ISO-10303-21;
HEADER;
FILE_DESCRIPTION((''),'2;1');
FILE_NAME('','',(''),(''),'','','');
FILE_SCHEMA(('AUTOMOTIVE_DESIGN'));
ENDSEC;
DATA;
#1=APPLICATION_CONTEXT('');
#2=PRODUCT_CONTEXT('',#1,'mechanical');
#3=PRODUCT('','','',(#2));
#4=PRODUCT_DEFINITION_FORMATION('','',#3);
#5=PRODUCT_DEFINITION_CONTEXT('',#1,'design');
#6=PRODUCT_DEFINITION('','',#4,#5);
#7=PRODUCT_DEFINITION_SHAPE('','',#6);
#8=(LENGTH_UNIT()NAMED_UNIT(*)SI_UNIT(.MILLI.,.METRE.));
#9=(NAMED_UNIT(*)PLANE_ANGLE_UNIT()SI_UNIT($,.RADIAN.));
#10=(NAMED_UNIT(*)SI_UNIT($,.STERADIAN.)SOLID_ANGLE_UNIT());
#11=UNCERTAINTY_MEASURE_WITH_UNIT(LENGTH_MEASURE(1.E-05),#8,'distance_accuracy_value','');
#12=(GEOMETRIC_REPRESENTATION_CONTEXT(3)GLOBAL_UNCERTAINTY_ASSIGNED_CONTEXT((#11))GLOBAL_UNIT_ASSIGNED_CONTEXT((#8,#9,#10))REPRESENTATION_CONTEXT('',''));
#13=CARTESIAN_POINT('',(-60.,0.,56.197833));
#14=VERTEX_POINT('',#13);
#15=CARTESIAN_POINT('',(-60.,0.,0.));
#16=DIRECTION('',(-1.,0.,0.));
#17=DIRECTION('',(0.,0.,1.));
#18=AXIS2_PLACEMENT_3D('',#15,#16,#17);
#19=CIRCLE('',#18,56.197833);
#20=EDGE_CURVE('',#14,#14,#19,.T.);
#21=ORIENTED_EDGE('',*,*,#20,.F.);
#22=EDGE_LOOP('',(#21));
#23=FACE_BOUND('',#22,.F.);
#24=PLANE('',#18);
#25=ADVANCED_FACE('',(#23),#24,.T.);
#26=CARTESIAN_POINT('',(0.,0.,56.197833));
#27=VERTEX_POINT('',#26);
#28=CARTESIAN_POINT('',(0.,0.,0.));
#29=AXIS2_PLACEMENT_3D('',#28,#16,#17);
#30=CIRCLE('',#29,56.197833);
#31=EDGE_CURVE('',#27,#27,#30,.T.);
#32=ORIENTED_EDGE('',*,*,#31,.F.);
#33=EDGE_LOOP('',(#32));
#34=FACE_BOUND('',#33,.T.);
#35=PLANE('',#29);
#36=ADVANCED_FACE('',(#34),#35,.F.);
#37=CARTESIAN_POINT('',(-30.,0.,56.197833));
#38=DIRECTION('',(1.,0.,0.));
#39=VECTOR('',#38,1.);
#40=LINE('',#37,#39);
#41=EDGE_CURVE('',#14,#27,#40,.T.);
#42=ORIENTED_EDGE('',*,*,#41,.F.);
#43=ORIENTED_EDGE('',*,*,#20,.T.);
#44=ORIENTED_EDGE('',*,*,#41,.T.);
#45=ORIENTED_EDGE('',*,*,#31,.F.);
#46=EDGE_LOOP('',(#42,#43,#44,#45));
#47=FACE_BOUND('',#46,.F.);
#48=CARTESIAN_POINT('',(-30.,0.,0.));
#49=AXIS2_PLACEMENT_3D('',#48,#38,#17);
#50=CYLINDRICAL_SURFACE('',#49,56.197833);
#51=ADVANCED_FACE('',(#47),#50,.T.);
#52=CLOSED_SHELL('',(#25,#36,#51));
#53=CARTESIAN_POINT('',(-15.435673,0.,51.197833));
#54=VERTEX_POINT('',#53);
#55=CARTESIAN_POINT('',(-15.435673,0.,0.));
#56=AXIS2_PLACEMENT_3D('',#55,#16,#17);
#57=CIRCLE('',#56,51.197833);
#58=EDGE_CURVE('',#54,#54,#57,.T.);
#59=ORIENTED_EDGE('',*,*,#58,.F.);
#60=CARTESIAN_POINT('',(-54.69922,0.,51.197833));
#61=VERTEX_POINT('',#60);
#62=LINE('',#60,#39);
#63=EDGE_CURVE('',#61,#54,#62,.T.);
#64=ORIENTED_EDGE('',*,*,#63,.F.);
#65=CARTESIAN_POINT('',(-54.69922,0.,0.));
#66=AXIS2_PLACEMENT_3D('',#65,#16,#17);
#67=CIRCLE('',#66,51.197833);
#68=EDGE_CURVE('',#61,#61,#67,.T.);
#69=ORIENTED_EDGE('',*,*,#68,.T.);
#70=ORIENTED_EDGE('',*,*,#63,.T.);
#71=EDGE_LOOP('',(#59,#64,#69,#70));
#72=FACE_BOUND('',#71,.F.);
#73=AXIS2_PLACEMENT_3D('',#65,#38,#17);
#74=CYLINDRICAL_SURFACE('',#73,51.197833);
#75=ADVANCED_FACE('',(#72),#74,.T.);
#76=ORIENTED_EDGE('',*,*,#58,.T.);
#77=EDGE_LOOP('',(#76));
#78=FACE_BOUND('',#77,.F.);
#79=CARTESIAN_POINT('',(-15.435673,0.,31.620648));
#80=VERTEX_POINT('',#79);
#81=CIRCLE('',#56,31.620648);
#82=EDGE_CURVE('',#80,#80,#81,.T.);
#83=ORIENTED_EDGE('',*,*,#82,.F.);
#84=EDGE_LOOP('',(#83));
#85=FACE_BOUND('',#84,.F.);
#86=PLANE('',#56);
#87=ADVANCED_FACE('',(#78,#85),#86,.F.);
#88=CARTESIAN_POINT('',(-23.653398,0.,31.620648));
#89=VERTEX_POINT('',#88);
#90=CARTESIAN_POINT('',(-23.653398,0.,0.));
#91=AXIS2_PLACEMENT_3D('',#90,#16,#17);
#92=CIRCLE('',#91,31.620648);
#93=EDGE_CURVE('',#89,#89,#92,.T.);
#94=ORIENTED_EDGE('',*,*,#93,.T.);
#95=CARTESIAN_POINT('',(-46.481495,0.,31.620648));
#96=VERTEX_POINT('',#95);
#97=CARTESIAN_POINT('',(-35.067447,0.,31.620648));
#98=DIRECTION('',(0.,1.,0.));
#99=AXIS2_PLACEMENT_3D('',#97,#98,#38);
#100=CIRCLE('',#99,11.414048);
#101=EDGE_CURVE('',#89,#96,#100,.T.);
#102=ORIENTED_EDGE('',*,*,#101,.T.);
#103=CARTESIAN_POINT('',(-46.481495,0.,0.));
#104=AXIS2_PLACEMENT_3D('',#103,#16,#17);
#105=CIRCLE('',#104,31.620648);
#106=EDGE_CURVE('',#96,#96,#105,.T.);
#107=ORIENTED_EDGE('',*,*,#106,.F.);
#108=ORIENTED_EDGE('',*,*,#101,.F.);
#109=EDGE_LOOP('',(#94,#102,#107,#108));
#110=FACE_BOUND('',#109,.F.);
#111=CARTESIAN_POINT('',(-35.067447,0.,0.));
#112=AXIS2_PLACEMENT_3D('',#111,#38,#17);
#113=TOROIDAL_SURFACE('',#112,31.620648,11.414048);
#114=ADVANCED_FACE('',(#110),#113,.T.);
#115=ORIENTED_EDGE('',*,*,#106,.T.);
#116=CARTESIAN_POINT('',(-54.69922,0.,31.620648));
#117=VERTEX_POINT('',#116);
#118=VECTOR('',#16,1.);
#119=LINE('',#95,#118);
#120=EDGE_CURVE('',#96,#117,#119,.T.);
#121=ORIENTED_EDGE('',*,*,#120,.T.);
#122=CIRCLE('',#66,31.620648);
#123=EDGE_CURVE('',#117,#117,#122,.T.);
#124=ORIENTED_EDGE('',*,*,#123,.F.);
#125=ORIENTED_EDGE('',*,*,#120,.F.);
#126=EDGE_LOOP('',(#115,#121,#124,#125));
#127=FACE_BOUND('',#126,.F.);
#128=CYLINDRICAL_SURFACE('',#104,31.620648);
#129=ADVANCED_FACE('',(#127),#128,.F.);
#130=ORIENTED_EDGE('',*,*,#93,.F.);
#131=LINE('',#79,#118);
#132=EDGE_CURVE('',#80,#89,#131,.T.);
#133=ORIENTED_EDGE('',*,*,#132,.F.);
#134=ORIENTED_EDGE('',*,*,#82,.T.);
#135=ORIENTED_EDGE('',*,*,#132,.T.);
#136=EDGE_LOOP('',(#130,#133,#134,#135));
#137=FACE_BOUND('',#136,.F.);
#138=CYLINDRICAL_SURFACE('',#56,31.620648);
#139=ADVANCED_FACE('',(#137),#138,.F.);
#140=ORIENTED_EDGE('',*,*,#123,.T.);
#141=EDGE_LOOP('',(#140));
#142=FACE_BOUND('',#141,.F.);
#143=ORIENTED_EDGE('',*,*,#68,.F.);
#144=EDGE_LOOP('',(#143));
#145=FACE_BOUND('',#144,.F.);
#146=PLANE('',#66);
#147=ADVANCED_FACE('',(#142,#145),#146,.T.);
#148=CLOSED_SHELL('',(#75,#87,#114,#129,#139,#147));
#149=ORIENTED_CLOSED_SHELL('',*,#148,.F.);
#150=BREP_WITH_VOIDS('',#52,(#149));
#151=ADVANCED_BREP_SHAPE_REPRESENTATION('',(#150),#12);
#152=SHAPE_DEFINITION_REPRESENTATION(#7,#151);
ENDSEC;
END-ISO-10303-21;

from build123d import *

# Parameters (mm, degrees)
F0_W = 60
F0_H = 56.1978332698


with BuildPart() as f1:
    # F0 (on Front) → F1 (revolve)
    with BuildSketch(Plane.XZ):
        with Locations((-30, 28.0989166349)):
            Rectangle(F0_W, F0_H)
        with BuildLine():
            Line((-54.6992197633, 31.6206477582), (-54.6992197633, 51.1978332698))
            Line((-54.6992197633, 51.1978332698), (-15.4356732965, 51.1978332698))
            Line((-15.4356732965, 51.1978332698), (-15.4356732965, 31.6206477582))
            Line((-15.4356732965, 31.6206477582), (-23.6533980529, 31.6206477582))
            ThreePointArc((-23.6533980529, 31.6206477582), (-35.0674465299, 20.2065992813), (-46.4814950068, 31.6206477582))
            Line((-46.4814950068, 31.6206477582), (-54.6992197633, 31.6206477582))
        make_face(mode=Mode.SUBTRACT)
    revolve(axis=Axis((-30, 0, 0), (-1, 0, 0)))


solid = f1.part
